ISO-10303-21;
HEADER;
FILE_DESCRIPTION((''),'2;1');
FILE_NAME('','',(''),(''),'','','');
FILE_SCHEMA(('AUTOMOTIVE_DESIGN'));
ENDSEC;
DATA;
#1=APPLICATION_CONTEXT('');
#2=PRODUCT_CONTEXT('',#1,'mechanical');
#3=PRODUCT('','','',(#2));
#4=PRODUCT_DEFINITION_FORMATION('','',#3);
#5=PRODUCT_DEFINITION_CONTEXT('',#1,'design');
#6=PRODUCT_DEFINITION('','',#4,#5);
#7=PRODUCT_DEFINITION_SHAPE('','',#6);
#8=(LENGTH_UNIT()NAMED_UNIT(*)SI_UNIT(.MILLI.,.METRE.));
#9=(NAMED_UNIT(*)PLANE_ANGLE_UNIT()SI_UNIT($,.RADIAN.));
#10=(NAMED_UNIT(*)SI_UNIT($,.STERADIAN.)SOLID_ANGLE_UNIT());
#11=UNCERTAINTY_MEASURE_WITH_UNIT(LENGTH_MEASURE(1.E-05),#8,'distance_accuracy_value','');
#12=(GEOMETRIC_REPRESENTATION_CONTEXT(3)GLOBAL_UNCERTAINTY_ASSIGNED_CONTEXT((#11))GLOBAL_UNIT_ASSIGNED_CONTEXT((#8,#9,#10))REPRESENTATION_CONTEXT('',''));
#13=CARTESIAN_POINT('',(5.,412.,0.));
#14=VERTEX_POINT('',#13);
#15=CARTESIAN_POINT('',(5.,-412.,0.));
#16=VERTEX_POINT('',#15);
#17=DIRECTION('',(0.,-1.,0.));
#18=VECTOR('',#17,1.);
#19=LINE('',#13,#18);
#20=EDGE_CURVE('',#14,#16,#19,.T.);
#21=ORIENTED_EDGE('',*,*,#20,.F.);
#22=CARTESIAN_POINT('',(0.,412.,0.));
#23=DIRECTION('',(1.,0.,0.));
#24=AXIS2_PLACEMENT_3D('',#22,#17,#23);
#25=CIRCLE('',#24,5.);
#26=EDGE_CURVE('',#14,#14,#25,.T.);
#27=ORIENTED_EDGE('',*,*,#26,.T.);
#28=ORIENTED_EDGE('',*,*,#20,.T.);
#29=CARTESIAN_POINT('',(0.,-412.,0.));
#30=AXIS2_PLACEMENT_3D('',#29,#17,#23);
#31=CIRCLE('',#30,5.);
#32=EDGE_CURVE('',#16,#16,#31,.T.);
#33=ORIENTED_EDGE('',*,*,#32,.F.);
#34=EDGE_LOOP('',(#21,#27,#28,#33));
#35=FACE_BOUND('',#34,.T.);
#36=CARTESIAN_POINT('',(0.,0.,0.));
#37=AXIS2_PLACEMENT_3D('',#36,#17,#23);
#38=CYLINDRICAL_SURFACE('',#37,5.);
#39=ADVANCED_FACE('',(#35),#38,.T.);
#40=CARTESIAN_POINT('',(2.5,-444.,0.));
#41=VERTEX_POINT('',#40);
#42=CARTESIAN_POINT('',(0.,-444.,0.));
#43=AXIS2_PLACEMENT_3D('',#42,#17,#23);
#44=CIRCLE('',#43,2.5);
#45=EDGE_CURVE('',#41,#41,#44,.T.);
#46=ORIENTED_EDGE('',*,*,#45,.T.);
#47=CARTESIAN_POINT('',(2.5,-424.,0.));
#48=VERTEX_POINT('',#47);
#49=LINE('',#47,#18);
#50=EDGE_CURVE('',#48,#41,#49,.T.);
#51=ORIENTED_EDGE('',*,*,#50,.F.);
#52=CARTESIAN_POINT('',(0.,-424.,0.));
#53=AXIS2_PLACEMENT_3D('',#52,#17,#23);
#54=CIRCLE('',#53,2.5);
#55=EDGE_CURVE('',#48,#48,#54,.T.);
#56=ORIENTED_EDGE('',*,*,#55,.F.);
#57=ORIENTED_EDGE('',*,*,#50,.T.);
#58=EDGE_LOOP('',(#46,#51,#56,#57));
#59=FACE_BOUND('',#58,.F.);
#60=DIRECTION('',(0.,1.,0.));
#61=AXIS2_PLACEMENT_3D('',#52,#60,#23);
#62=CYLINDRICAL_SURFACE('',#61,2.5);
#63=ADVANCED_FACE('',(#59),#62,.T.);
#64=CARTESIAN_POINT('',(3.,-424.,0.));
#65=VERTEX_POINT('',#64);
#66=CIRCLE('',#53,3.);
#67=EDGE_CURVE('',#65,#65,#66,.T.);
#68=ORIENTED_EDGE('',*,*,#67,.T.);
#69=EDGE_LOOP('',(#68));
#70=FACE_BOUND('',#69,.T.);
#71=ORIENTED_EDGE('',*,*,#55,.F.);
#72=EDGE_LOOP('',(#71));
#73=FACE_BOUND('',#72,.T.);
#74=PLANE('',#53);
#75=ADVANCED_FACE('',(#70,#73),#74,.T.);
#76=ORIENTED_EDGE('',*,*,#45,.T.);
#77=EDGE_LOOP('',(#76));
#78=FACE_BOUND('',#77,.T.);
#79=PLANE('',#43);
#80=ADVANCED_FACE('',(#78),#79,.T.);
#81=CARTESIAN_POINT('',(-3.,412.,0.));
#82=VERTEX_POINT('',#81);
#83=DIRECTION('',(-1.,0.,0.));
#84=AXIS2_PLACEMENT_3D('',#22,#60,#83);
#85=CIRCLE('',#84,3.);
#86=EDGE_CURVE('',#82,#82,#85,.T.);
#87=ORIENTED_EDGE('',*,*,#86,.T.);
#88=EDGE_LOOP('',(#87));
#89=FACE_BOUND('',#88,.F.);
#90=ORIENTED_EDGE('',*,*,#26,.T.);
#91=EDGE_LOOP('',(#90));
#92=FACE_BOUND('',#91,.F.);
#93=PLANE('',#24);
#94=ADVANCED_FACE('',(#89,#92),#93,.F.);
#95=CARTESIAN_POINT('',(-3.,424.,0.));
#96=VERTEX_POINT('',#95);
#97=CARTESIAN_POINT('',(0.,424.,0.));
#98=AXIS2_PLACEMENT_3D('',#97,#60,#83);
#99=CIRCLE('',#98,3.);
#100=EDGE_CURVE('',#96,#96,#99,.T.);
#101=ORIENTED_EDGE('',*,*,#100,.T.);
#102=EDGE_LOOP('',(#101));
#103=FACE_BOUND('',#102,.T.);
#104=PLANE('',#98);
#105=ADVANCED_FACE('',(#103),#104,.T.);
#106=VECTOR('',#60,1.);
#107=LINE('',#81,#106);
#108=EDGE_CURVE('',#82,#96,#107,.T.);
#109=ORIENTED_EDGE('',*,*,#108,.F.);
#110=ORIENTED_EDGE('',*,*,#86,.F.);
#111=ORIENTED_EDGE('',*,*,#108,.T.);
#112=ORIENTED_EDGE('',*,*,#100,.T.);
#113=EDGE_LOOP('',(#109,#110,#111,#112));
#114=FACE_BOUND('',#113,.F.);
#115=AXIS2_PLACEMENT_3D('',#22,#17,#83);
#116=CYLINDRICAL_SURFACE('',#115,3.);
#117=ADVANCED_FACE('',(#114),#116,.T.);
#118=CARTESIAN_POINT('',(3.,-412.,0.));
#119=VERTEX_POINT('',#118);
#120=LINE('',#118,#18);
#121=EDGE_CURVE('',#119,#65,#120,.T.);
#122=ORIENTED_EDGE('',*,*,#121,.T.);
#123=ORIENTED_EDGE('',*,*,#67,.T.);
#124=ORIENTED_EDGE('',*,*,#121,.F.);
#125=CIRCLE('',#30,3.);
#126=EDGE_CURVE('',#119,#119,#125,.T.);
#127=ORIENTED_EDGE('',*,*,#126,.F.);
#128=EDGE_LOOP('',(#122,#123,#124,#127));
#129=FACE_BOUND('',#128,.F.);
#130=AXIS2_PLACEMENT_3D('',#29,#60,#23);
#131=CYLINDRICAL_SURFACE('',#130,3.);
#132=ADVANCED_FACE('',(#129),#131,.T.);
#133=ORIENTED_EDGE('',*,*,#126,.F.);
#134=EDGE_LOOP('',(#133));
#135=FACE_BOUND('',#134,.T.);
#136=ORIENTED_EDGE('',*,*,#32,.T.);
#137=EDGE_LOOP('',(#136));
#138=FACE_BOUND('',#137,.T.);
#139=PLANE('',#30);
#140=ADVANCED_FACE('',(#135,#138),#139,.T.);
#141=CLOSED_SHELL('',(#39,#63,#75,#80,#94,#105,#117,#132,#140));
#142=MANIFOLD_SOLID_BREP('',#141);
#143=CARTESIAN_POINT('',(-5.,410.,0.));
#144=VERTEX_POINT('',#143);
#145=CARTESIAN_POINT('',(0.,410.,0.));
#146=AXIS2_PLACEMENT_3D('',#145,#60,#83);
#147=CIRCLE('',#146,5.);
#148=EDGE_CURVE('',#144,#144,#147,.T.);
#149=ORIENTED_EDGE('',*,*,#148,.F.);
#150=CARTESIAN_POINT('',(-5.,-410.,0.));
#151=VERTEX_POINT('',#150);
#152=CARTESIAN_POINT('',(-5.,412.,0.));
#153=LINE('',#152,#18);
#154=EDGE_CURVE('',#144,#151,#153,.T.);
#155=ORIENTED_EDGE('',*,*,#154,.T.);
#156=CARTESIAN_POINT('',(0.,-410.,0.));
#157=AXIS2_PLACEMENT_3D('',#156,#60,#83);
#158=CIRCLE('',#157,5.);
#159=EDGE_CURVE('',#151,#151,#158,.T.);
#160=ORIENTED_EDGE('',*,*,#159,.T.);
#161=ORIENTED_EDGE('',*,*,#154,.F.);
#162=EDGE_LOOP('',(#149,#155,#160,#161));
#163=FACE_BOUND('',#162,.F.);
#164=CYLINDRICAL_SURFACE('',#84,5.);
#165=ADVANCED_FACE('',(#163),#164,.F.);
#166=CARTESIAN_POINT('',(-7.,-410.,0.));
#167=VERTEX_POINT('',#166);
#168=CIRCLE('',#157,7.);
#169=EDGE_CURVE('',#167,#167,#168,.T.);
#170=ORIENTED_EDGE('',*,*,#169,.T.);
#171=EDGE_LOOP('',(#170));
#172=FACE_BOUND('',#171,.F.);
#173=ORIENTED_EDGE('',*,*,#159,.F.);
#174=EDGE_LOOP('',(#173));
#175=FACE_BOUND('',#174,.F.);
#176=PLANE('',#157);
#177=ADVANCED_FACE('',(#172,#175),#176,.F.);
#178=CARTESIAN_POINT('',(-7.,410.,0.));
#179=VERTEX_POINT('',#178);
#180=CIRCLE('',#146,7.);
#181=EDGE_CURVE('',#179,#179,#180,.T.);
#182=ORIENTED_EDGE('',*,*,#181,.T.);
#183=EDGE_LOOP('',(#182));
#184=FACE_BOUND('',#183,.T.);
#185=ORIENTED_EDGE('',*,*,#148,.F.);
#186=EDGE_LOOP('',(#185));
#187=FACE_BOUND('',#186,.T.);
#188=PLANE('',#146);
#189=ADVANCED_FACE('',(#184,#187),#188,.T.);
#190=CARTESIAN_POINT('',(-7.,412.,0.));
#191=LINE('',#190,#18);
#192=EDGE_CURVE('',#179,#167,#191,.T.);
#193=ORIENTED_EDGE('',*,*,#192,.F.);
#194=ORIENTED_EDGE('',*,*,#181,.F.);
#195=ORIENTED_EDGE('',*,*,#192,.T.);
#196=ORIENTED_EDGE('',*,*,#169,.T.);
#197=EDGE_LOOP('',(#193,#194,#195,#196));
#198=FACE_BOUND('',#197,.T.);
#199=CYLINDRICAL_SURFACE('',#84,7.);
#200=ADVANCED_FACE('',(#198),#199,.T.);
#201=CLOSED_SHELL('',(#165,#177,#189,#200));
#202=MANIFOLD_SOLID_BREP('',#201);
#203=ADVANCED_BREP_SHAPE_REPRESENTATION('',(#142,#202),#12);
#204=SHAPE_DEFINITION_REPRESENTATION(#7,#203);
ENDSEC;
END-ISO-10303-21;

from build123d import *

# Parameters (mm, degrees)
F0_R      = 5
F1_DEPTH  = 412
F2_R      = 3
F3_DEPTH  = 12
F4_R      = 3
F5_DEPTH  = 12
F6_R      = 7
F6_R_2    = 5
F7_DEPTH  = 824
F8_R      = 2.5
F9_DEPTH  = 20
F10_DEPTH = 2
F11_DEPTH = 2


with BuildPart() as f1:
    # F0 (on Front) → F1 (new body, symmetric)
    with BuildSketch(Plane.XZ):
        Circle(F0_R)
    extrude(amount=F1_DEPTH, both=True)

    # F2 (on face) → F3 (join)
    with BuildSketch(Plane.XZ.offset(412)):
        Circle(F2_R)
    extrude(amount=F3_DEPTH)

    # F4 (on face) → F5 (join)
    with BuildSketch(Plane(origin=(0, 412, 0), x_dir=(-1, 0, 0), z_dir=(0, 1, 0))):
        Circle(F4_R)
    extrude(amount=F5_DEPTH)

    # F8 (on face) → F9 (join)
    with BuildSketch(Plane.XZ.offset(424)):
        Circle(F8_R)
    extrude(amount=F9_DEPTH)


with BuildPart() as f7:
    # F6 (on face) → F7 (new body, through all)
    with BuildSketch(Plane(origin=(0, 412, 0), x_dir=(-1, 0, 0), z_dir=(0, 1, 0))):
        Circle(F6_R)
        Circle(F6_R_2, mode=Mode.SUBTRACT)
    extrude(amount=-F7_DEPTH)

    # F10 (cut): a face of the model
    f10_faces = [f7.faces().sort_by_distance(p)[0] for p in [
        (6.8020101013, 412, 0),
    ]]
    extrude(f10_faces, amount=-F10_DEPTH, mode=Mode.SUBTRACT)

    # F11 (cut): a face of the model
    f11_faces = [f7.faces().sort_by_distance(p)[0] for p in [
        (6.8020101013, -412, 0),
    ]]
    extrude(f11_faces, amount=-F11_DEPTH, mode=Mode.SUBTRACT)


solid = Compound([f1.part, f7.part])
